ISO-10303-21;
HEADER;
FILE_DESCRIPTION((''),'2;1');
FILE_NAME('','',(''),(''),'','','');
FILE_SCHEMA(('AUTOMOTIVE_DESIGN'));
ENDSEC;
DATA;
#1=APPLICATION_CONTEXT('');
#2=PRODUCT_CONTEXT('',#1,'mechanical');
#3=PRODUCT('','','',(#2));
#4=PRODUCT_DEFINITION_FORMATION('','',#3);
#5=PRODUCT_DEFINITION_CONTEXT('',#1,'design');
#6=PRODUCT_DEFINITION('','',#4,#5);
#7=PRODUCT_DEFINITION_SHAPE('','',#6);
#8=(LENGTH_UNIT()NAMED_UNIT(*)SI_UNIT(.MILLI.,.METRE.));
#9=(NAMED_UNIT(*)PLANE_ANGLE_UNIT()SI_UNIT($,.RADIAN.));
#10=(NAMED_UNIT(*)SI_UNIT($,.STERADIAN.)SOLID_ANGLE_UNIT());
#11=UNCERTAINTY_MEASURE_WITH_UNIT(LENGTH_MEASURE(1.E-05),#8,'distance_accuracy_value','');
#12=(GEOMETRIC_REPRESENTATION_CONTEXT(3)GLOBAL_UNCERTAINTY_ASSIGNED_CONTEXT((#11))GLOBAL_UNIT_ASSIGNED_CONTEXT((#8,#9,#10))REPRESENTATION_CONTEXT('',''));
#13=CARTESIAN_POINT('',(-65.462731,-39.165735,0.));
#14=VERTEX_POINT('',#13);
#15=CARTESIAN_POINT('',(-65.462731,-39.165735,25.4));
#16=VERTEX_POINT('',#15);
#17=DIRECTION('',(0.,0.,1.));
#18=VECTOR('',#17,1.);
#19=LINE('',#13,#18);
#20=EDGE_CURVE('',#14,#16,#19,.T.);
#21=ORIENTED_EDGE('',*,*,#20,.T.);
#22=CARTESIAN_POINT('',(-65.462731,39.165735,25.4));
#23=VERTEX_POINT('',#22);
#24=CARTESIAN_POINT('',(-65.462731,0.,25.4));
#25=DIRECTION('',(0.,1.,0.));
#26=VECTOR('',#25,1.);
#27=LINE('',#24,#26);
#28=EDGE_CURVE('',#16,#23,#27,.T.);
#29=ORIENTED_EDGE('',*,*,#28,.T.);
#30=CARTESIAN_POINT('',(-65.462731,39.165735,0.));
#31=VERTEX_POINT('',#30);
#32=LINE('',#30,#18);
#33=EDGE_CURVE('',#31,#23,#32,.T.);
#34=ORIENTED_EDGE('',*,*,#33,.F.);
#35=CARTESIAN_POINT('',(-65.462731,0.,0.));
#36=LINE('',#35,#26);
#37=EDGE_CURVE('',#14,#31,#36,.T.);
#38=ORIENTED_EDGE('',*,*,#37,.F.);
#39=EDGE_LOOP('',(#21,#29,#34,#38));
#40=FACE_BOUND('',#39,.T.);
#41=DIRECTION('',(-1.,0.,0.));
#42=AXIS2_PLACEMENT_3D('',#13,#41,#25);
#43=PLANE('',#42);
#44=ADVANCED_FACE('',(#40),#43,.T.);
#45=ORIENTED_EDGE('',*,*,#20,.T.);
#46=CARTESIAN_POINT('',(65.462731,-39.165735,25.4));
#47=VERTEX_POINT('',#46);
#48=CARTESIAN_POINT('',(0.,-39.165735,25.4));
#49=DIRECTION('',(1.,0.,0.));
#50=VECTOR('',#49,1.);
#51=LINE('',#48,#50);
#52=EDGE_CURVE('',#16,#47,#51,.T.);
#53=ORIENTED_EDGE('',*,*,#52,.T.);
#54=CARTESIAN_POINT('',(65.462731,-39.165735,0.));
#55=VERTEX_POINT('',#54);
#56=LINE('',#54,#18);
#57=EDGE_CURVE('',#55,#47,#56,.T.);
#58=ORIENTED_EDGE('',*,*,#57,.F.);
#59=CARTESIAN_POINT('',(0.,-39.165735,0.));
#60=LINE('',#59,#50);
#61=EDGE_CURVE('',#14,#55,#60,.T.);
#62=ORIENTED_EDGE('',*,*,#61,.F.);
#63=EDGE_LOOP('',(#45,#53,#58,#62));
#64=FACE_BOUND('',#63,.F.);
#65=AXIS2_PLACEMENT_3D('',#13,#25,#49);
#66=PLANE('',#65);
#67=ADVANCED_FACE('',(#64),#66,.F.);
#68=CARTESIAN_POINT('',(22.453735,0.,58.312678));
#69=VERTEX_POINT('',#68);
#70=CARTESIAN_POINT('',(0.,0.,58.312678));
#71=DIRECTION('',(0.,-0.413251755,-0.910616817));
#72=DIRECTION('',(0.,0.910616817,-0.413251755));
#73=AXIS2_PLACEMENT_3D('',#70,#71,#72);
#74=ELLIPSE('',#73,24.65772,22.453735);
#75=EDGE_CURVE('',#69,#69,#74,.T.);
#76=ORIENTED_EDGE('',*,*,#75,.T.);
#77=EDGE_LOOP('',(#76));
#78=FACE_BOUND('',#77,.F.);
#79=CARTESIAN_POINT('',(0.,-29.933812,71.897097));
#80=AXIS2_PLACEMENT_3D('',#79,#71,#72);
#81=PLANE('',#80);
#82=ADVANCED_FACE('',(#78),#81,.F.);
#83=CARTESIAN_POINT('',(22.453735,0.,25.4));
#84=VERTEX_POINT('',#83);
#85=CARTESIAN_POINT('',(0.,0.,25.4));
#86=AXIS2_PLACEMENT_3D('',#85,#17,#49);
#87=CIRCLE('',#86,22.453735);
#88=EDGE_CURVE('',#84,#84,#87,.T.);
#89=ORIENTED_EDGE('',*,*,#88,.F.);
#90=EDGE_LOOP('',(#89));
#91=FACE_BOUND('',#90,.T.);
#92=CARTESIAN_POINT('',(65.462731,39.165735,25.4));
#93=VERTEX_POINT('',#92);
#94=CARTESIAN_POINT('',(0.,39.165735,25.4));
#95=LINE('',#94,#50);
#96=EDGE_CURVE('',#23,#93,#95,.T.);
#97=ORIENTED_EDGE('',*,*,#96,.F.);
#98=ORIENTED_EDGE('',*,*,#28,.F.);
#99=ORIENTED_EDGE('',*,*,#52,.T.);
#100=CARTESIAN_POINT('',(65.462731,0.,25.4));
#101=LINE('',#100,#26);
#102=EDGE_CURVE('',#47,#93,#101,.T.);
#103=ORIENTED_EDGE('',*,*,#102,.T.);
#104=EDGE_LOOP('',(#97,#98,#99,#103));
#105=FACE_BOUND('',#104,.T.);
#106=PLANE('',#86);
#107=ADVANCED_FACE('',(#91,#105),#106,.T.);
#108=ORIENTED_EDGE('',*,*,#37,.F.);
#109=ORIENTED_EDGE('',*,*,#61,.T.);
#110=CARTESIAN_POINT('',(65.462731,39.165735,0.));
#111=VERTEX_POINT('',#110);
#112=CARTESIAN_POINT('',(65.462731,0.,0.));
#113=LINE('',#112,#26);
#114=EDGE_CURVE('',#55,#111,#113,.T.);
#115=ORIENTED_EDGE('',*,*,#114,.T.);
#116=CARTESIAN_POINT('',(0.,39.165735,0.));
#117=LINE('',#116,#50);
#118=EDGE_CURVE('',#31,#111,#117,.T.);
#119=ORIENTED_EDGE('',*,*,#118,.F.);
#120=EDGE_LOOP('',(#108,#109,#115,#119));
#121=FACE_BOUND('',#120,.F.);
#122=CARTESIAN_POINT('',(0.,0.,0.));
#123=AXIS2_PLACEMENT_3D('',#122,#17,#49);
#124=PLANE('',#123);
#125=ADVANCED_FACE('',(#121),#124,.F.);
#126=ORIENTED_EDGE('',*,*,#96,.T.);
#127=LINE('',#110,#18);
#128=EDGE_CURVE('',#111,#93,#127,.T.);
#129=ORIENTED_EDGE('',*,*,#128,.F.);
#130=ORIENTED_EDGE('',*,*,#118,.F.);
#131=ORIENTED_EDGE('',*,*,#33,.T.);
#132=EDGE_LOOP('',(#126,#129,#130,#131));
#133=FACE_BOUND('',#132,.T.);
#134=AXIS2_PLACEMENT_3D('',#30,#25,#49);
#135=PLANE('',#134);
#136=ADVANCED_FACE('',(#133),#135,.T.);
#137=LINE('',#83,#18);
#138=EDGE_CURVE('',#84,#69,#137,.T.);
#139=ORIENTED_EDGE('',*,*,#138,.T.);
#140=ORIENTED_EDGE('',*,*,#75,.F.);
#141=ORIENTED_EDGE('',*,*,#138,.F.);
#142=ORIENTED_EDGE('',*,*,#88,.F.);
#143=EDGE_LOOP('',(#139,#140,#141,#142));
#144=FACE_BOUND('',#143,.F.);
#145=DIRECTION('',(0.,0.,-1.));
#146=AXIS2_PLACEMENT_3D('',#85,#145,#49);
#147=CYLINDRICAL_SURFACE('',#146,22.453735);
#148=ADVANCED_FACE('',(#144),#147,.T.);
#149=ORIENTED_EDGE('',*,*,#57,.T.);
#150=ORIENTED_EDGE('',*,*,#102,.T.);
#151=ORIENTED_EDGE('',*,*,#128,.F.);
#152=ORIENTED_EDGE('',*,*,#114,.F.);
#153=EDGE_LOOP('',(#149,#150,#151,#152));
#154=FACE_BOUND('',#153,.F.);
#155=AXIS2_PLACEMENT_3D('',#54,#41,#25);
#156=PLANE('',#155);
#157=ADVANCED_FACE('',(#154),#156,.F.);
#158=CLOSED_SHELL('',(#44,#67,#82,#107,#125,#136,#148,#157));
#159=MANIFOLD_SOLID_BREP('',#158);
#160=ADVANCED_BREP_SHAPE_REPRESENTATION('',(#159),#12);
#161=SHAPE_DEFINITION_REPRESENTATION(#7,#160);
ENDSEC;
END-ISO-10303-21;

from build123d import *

# Parameters (mm, degrees)
F0_W     = 130.9254616499
F0_H     = 78.3314704895
F1_DEPTH = 25.4
F2_R     = 22.4537347063
F3_DEPTH = 45.466
F5_DEPTH = 38.1


with BuildPart() as f1:
    # F0 (on Top) → F1 (new body)
    with BuildSketch(Plane.XY):
        Rectangle(F0_W, F0_H)
    extrude(amount=F1_DEPTH)

    # F2 (on face) → F3 (join)
    with BuildSketch(Plane.XY.offset(25.4)):
        Circle(F2_R)
    extrude(amount=F3_DEPTH)

    # F4 (on Right) → F5 (cut, symmetric)
    with BuildSketch(Plane.YZ):
        Polygon((39.7252477705, 72.1768513322), (-29.9338120967, 71.8970969319), (39.7252477705, 40.2847565711), align=None)
    extrude(amount=F5_DEPTH, both=True, mode=Mode.SUBTRACT)


solid = f1.part
